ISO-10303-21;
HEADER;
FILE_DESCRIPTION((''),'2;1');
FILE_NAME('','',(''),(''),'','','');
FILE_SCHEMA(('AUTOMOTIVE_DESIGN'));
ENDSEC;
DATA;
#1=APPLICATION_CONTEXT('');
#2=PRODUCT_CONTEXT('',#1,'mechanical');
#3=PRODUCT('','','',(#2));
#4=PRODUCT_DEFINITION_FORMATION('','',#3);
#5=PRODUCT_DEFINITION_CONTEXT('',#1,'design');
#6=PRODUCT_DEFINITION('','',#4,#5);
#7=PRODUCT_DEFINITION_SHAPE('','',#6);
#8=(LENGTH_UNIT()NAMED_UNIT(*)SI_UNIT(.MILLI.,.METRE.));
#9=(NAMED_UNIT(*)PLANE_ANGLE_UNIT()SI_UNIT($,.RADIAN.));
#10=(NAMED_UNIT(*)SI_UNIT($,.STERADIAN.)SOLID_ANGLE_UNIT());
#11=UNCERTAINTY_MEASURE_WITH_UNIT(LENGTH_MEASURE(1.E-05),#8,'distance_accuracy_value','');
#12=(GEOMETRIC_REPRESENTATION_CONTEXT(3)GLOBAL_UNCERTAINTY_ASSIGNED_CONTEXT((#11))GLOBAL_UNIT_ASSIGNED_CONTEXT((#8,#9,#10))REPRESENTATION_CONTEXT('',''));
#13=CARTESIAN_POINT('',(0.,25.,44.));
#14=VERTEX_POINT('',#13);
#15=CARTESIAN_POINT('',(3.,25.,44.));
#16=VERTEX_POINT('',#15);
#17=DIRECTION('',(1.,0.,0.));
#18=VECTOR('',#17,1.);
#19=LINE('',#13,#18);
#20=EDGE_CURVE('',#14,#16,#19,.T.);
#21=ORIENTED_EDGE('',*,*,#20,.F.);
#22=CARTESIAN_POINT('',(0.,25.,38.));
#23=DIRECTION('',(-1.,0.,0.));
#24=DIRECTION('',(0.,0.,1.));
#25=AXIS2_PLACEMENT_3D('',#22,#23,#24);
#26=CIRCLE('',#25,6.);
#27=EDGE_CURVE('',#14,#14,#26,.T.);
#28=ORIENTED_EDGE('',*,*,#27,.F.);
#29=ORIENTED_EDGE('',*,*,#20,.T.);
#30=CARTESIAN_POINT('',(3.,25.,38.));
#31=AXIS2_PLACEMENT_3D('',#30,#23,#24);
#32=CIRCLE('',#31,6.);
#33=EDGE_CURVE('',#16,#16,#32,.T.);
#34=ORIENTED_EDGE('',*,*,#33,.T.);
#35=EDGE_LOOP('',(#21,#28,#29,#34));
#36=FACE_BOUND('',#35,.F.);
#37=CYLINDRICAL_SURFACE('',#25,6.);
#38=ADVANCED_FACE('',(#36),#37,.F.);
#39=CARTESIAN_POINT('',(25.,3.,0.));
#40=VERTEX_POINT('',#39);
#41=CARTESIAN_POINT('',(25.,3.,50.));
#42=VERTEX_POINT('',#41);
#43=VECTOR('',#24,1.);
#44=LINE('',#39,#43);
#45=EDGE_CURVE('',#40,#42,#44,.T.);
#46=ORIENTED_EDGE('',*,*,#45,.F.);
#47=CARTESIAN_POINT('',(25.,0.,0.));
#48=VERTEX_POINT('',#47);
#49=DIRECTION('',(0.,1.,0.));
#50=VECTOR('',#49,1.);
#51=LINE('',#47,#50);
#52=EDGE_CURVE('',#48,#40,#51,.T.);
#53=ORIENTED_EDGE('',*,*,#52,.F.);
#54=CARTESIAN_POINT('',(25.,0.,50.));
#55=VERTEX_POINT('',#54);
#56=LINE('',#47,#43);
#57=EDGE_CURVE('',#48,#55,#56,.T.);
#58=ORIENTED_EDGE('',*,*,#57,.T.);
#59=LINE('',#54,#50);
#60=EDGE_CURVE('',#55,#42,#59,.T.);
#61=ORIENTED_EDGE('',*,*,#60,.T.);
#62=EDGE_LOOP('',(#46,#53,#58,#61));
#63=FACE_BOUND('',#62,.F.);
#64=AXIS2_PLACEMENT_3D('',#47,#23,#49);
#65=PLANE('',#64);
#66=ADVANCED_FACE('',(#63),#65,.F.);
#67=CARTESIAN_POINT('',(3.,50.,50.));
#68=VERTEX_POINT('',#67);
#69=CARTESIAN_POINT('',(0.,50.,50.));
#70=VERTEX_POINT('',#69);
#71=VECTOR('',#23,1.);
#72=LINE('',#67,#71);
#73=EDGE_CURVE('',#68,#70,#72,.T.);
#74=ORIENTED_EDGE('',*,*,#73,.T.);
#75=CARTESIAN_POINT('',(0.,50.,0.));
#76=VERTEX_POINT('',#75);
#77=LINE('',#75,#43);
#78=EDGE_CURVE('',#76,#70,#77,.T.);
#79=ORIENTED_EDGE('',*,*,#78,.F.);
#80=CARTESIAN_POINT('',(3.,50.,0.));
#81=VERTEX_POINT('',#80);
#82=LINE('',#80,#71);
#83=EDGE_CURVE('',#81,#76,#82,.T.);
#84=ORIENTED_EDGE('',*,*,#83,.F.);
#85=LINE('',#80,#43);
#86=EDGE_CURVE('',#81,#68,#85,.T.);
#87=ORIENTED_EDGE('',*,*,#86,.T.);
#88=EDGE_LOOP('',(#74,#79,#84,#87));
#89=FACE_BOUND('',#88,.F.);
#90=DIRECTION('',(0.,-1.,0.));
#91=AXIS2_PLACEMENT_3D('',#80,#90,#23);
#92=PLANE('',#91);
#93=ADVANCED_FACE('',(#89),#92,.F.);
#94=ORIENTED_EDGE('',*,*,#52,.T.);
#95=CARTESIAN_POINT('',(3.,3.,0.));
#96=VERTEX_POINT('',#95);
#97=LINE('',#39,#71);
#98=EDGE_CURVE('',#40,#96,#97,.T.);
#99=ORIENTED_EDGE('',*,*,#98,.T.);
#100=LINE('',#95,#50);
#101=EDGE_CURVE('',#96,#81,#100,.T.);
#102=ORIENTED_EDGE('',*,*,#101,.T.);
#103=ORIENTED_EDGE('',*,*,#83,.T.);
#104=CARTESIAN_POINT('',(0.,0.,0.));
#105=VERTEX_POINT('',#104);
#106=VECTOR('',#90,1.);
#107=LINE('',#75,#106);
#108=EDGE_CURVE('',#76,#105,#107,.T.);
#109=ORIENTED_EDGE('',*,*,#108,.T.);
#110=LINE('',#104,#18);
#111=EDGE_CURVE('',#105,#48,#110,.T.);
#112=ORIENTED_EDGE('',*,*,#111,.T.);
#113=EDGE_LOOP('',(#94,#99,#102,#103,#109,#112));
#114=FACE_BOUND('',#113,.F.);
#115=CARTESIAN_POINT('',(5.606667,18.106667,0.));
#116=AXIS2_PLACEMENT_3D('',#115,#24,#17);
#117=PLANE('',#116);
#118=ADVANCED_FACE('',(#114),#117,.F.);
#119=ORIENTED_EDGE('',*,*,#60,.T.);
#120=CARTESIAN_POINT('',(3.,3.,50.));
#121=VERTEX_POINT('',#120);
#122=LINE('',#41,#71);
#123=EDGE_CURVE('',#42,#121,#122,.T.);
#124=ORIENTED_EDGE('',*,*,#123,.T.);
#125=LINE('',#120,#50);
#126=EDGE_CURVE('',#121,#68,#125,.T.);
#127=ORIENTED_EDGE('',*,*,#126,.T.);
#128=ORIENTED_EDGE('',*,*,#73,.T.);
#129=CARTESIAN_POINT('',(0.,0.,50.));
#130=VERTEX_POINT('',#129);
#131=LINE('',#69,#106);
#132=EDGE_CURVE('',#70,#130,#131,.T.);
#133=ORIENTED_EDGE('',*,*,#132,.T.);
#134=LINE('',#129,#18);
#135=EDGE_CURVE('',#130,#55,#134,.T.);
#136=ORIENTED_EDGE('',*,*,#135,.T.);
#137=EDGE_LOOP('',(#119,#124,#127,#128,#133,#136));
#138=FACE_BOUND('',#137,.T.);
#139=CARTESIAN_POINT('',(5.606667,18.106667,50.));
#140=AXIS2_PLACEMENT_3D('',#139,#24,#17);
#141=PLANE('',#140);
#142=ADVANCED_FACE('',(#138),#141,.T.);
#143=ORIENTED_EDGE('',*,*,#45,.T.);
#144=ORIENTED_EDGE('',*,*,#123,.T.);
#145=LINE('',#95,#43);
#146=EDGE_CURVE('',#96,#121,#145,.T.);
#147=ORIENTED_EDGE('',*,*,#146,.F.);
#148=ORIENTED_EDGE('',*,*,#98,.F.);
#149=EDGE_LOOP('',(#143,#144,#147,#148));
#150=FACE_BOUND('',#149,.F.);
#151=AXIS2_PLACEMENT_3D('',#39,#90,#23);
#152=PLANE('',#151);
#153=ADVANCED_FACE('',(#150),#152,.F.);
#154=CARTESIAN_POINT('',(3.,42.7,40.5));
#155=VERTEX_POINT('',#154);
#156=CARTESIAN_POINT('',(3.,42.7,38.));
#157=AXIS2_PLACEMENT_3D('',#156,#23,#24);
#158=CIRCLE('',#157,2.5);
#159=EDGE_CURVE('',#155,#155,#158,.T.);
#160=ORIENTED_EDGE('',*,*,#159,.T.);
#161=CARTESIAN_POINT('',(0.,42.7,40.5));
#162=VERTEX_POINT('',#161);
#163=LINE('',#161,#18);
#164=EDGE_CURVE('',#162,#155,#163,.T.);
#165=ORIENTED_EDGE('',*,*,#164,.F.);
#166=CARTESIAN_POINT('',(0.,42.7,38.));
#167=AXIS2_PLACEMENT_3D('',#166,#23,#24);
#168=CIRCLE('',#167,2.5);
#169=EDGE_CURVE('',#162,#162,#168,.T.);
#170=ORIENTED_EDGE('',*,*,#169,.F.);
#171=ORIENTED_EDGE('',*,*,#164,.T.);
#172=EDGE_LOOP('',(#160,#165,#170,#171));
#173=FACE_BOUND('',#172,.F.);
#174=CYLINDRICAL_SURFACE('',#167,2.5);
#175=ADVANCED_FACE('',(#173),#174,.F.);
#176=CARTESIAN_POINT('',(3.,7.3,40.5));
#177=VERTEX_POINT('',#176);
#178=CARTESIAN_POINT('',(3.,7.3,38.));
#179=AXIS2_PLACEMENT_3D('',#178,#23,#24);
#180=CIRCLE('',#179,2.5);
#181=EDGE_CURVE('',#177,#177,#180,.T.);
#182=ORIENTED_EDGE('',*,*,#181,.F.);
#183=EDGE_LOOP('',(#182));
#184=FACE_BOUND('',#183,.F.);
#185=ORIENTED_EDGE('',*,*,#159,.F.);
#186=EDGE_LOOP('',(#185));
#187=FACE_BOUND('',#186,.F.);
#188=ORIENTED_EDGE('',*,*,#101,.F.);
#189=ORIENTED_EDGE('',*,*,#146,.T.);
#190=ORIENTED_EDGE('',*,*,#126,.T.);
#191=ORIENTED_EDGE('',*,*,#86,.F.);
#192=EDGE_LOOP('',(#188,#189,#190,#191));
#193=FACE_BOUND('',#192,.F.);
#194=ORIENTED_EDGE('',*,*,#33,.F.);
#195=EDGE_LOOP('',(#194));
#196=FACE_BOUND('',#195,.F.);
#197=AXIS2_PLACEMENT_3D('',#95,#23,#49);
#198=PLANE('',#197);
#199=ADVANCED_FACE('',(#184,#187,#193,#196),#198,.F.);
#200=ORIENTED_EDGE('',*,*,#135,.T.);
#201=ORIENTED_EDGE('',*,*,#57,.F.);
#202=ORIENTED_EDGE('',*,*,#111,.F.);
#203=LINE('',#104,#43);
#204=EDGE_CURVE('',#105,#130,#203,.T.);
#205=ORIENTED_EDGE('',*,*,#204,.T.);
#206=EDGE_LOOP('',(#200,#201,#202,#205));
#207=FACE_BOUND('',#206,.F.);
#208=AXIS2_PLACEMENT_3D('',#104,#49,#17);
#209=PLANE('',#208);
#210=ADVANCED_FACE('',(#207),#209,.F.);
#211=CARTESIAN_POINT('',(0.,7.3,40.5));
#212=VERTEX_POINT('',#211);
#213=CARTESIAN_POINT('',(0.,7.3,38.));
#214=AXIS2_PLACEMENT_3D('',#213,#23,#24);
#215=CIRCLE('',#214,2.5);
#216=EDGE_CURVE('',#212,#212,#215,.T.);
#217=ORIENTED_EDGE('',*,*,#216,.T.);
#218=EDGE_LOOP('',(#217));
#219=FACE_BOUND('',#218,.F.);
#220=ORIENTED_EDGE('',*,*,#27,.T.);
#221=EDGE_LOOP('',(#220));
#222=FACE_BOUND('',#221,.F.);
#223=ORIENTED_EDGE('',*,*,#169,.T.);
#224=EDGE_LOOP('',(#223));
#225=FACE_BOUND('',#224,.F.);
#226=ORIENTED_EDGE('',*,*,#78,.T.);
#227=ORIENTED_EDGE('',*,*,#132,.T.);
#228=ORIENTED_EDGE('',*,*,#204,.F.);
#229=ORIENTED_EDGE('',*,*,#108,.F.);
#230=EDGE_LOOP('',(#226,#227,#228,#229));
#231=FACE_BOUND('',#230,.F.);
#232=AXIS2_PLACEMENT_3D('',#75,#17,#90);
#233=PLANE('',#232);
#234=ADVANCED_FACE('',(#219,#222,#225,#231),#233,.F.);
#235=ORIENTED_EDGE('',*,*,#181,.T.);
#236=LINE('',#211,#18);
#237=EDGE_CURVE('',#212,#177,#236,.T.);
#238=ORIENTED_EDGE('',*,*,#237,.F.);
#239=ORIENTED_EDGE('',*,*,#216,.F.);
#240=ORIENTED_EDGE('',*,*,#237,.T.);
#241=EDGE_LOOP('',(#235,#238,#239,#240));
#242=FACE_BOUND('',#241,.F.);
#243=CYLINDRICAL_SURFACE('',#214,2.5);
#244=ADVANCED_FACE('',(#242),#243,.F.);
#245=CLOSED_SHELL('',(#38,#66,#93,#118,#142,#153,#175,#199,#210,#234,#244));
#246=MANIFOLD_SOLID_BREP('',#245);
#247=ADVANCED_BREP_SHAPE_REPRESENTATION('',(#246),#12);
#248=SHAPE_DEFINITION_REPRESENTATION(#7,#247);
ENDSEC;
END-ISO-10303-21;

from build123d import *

# Parameters (mm, degrees)
SALIENTE_EXTRUIR1_DEPTH = 50
CROQUIS2_R              = 6
CROQUIS2_R_2            = 2.5
CORTAR_EXTRUIR1_DEPTH   = 3


with BuildPart() as part:
    # Croquis1 → Saliente-Extruir1 (new body)
    with BuildSketch(Plane.XY):
        Polygon((0, 50), (0, 0), (25, 0), (25, 3), (3, 3), (3, 50), align=None)
    extrude(amount=SALIENTE_EXTRUIR1_DEPTH)

    # Croquis2 → Cortar-Extruir1 (cut)
    with BuildSketch(Plane.ZY):
        with Locations((38, 25)):
            Circle(CROQUIS2_R)
        with Locations((38, 42.7)):
            Circle(CROQUIS2_R_2)
        with Locations((38, 7.3)):
            Circle(CROQUIS2_R_2)
    extrude(amount=-CORTAR_EXTRUIR1_DEPTH, mode=Mode.SUBTRACT)


solid = part.part
